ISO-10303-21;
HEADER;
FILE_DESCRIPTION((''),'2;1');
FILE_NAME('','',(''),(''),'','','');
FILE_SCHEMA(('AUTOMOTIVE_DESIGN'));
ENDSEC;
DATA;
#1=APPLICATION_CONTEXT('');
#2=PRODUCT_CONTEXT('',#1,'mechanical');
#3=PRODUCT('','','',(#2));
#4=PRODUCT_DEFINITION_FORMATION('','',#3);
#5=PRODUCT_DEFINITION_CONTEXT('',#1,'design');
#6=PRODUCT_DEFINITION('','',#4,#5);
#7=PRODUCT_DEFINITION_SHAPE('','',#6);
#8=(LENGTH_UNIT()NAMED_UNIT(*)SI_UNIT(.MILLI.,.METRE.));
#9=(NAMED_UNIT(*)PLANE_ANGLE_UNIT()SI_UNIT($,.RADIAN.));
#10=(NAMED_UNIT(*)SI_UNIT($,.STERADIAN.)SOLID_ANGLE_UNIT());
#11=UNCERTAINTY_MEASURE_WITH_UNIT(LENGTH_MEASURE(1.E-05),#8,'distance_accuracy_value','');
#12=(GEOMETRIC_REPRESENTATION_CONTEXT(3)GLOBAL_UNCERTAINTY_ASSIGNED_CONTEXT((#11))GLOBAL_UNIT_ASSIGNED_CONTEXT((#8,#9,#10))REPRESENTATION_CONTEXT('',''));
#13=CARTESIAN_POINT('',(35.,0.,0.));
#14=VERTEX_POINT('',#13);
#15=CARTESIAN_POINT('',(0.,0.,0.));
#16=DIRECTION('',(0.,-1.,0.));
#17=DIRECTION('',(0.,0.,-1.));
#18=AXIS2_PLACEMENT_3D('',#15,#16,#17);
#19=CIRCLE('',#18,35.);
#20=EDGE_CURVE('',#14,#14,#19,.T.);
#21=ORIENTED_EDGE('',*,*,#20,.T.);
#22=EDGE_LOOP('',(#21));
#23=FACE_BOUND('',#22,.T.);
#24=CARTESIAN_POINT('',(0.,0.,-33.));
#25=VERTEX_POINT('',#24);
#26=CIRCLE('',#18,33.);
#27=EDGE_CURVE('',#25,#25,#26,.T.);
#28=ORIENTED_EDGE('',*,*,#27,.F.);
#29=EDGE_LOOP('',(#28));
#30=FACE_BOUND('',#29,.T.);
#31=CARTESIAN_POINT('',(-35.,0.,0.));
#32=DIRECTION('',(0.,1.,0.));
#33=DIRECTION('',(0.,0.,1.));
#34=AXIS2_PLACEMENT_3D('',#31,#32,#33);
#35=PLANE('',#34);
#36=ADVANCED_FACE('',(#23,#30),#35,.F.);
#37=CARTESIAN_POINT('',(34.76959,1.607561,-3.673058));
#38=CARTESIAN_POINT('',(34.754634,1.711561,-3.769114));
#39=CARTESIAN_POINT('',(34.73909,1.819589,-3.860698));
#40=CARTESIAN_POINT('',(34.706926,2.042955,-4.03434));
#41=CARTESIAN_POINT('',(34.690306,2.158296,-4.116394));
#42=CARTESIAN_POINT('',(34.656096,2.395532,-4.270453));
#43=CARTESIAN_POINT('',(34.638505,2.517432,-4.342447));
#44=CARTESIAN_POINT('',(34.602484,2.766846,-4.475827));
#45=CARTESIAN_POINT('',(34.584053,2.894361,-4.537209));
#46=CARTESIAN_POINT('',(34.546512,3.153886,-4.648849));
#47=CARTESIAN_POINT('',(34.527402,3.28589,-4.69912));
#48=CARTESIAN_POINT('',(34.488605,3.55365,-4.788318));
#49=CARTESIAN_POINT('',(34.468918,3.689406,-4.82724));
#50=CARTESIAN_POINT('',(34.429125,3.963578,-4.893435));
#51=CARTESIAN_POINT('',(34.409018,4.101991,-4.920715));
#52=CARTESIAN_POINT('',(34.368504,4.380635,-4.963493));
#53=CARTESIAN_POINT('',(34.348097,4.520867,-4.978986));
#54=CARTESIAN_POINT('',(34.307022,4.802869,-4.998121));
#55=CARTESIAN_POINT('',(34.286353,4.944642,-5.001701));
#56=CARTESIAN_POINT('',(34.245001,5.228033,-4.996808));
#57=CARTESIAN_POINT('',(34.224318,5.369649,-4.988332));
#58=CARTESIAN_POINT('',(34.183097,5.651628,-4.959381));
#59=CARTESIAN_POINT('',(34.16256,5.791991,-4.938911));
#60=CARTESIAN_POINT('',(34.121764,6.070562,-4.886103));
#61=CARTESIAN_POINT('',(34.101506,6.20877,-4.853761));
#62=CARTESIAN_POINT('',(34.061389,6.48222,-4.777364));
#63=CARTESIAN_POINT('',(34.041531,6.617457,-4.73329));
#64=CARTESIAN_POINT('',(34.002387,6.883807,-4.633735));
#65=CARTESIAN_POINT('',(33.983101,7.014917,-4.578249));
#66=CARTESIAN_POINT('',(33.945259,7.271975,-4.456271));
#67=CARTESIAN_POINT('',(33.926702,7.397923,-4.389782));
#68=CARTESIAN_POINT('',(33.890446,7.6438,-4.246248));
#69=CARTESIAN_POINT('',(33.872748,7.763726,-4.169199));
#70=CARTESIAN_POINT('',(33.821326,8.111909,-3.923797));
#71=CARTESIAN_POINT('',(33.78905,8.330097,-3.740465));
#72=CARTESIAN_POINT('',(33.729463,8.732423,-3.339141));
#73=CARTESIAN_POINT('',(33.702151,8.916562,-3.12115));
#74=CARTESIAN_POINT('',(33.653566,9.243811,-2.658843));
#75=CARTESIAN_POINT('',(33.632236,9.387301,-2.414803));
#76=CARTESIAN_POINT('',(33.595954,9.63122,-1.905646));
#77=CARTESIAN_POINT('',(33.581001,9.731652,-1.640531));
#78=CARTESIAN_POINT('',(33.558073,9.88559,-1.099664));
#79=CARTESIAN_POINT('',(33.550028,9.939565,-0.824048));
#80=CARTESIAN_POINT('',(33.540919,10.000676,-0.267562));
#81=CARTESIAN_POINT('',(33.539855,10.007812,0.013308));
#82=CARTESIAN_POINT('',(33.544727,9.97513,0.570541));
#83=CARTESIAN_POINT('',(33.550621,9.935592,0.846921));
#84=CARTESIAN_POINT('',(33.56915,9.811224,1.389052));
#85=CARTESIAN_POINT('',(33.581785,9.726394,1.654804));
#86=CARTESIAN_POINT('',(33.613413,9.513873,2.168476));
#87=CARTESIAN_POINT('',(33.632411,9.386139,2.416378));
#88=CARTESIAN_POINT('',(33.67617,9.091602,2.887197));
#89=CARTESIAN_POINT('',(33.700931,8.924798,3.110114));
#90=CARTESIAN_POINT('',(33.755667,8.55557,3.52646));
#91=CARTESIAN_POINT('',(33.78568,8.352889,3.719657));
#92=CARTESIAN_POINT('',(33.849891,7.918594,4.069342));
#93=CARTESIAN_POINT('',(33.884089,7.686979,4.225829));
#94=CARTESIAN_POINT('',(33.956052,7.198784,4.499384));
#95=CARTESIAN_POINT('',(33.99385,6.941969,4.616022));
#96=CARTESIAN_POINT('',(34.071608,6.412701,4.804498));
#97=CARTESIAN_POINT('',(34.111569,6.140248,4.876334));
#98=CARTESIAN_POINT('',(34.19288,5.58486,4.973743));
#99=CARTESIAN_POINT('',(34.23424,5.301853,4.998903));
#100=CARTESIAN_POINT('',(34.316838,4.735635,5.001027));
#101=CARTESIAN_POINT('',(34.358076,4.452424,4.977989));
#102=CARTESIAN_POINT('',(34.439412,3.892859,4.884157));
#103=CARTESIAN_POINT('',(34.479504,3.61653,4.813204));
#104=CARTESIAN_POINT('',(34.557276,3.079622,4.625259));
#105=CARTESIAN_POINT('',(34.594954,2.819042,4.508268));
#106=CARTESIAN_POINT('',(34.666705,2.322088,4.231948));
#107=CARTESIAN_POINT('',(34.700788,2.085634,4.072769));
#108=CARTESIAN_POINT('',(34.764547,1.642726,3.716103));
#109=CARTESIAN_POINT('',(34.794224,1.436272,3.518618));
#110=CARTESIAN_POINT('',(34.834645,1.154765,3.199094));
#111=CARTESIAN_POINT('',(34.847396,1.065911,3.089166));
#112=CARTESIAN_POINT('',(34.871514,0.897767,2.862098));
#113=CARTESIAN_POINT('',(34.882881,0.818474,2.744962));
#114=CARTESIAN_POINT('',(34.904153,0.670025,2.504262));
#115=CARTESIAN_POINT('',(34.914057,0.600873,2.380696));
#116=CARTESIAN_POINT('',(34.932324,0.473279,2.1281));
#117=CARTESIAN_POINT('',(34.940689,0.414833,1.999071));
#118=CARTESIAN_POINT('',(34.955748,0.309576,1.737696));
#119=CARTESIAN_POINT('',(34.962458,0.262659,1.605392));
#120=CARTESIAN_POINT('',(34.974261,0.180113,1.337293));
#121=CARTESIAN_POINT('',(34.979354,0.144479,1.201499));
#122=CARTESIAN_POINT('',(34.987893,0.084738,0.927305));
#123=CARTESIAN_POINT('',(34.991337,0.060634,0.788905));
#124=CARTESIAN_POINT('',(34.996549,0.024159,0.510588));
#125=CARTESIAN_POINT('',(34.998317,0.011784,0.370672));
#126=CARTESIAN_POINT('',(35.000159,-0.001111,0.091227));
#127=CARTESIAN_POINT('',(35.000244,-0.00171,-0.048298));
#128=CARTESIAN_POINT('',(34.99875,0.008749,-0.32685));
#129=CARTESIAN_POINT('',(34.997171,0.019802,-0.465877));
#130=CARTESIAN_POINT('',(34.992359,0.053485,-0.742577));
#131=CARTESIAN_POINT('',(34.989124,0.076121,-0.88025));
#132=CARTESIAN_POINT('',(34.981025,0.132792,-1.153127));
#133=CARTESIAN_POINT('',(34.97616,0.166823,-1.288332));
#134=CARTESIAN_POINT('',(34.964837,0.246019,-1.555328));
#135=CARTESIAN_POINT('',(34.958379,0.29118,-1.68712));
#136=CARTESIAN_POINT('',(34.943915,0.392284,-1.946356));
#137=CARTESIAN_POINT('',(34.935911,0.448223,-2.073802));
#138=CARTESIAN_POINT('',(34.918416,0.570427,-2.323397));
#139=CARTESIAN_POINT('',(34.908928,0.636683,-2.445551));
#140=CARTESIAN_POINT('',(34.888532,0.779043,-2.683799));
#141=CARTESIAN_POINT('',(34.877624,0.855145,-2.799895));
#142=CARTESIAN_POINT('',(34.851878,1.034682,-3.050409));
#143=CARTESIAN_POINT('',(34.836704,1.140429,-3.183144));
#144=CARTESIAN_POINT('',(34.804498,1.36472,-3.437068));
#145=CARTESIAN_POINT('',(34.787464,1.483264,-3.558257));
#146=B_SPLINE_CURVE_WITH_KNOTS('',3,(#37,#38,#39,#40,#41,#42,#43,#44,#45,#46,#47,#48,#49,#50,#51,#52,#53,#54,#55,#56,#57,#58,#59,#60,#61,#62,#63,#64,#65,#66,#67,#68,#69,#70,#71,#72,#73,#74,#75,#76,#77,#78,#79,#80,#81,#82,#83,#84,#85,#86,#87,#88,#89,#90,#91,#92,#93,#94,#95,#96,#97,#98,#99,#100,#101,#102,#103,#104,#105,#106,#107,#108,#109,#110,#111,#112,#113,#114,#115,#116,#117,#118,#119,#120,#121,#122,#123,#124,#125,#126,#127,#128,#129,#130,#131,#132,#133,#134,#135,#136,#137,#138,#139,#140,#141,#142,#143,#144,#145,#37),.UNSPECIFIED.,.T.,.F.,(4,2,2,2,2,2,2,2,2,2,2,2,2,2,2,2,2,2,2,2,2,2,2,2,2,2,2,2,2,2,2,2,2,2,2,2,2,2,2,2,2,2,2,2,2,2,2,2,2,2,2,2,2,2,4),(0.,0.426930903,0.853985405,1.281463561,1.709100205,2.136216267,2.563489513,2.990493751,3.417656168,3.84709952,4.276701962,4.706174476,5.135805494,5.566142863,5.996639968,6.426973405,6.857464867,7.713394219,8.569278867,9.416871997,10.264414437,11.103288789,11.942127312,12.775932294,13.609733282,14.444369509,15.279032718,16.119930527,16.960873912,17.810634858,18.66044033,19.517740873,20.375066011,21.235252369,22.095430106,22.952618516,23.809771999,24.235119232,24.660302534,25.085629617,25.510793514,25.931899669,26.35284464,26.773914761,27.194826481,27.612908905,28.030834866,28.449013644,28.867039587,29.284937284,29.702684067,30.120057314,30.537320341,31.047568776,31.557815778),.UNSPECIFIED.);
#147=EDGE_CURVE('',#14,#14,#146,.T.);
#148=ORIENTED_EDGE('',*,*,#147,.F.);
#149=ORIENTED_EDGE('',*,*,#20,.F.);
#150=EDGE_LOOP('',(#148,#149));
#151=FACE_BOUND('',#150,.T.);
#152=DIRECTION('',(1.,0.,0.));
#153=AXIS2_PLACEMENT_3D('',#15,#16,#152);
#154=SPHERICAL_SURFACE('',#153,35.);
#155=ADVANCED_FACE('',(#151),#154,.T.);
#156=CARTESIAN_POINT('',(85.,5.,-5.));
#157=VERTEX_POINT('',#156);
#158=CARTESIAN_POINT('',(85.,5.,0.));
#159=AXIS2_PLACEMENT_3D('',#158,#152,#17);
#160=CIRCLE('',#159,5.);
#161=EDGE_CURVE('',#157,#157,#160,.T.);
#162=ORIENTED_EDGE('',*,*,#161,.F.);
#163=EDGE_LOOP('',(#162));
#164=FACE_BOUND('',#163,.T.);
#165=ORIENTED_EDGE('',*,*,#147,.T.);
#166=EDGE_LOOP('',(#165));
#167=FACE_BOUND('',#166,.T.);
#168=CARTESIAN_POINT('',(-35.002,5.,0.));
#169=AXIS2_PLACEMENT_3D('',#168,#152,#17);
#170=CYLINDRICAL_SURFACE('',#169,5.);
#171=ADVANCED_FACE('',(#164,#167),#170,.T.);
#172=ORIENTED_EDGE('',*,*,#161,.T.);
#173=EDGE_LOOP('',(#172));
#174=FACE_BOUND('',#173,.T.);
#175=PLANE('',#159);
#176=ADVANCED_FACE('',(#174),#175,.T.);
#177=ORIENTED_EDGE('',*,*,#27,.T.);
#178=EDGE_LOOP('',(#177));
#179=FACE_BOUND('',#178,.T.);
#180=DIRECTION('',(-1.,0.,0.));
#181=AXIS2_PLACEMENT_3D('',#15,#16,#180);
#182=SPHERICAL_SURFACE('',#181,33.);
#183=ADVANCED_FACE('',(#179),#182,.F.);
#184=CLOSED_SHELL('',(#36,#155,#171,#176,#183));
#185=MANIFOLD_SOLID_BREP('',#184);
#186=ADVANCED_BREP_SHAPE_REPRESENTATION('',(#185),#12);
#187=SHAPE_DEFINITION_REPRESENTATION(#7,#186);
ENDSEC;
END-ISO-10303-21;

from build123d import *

# Parameters (mm, degrees)
CIRKEL_R                   = 5
ARM_DEPTH                  = 50
ARM_DIRECTION_2_REACH      = 87.732
ARM_DIRECTION_2_END_RADIUS = 35


with BuildPart() as part:
    # boog → bol_half (revolve)
    with BuildSketch(Plane.XY):
        with BuildLine():
            Line((-35, 0), (-33, 0))
            ThreePointArc((-33, 0), (-23.334523779, 23.334523779), (0, 33))
            Line((0, 33), (0, 35))
            ThreePointArc((0, 35), (-24.748737342, 24.748737342), (-35, 0))
        make_face()
    revolve(axis=Axis((0, 0, 0), (0, 1, 0)))

    # cirkel → arm (add)
    with BuildSketch(Plane(origin=(35, 0, 0), x_dir=(0, 0, -1), z_dir=(1, 0, 0))):
        with Locations((0, 5)):
            Circle(CIRKEL_R)
    extrude(amount=ARM_DEPTH)

    # arm direction 2: up to this sphere (the profile starts outside it)
    arm_direction_2_end = Location((0, 0, 0)) * Sphere(ARM_DIRECTION_2_END_RADIUS, mode=Mode.PRIVATE)
    # cirkel → arm direction 2 (add, up to the surface)
    with BuildSketch(Plane(origin=(35, 0, 0), x_dir=(0, 0, -1), z_dir=(1, 0, 0)), mode=Mode.PRIVATE) as arm_direction_2_sk1:
        with Locations((0, 5)):
            Circle(CIRKEL_R)
    arm_direction_2_tool1 = extrude(arm_direction_2_sk1.sketch, amount=-ARM_DIRECTION_2_REACH, mode=Mode.PRIVATE) - arm_direction_2_end
    add(arm_direction_2_tool1.solids().sort_by_distance((35, 5, 0))[0])


solid = part.part
